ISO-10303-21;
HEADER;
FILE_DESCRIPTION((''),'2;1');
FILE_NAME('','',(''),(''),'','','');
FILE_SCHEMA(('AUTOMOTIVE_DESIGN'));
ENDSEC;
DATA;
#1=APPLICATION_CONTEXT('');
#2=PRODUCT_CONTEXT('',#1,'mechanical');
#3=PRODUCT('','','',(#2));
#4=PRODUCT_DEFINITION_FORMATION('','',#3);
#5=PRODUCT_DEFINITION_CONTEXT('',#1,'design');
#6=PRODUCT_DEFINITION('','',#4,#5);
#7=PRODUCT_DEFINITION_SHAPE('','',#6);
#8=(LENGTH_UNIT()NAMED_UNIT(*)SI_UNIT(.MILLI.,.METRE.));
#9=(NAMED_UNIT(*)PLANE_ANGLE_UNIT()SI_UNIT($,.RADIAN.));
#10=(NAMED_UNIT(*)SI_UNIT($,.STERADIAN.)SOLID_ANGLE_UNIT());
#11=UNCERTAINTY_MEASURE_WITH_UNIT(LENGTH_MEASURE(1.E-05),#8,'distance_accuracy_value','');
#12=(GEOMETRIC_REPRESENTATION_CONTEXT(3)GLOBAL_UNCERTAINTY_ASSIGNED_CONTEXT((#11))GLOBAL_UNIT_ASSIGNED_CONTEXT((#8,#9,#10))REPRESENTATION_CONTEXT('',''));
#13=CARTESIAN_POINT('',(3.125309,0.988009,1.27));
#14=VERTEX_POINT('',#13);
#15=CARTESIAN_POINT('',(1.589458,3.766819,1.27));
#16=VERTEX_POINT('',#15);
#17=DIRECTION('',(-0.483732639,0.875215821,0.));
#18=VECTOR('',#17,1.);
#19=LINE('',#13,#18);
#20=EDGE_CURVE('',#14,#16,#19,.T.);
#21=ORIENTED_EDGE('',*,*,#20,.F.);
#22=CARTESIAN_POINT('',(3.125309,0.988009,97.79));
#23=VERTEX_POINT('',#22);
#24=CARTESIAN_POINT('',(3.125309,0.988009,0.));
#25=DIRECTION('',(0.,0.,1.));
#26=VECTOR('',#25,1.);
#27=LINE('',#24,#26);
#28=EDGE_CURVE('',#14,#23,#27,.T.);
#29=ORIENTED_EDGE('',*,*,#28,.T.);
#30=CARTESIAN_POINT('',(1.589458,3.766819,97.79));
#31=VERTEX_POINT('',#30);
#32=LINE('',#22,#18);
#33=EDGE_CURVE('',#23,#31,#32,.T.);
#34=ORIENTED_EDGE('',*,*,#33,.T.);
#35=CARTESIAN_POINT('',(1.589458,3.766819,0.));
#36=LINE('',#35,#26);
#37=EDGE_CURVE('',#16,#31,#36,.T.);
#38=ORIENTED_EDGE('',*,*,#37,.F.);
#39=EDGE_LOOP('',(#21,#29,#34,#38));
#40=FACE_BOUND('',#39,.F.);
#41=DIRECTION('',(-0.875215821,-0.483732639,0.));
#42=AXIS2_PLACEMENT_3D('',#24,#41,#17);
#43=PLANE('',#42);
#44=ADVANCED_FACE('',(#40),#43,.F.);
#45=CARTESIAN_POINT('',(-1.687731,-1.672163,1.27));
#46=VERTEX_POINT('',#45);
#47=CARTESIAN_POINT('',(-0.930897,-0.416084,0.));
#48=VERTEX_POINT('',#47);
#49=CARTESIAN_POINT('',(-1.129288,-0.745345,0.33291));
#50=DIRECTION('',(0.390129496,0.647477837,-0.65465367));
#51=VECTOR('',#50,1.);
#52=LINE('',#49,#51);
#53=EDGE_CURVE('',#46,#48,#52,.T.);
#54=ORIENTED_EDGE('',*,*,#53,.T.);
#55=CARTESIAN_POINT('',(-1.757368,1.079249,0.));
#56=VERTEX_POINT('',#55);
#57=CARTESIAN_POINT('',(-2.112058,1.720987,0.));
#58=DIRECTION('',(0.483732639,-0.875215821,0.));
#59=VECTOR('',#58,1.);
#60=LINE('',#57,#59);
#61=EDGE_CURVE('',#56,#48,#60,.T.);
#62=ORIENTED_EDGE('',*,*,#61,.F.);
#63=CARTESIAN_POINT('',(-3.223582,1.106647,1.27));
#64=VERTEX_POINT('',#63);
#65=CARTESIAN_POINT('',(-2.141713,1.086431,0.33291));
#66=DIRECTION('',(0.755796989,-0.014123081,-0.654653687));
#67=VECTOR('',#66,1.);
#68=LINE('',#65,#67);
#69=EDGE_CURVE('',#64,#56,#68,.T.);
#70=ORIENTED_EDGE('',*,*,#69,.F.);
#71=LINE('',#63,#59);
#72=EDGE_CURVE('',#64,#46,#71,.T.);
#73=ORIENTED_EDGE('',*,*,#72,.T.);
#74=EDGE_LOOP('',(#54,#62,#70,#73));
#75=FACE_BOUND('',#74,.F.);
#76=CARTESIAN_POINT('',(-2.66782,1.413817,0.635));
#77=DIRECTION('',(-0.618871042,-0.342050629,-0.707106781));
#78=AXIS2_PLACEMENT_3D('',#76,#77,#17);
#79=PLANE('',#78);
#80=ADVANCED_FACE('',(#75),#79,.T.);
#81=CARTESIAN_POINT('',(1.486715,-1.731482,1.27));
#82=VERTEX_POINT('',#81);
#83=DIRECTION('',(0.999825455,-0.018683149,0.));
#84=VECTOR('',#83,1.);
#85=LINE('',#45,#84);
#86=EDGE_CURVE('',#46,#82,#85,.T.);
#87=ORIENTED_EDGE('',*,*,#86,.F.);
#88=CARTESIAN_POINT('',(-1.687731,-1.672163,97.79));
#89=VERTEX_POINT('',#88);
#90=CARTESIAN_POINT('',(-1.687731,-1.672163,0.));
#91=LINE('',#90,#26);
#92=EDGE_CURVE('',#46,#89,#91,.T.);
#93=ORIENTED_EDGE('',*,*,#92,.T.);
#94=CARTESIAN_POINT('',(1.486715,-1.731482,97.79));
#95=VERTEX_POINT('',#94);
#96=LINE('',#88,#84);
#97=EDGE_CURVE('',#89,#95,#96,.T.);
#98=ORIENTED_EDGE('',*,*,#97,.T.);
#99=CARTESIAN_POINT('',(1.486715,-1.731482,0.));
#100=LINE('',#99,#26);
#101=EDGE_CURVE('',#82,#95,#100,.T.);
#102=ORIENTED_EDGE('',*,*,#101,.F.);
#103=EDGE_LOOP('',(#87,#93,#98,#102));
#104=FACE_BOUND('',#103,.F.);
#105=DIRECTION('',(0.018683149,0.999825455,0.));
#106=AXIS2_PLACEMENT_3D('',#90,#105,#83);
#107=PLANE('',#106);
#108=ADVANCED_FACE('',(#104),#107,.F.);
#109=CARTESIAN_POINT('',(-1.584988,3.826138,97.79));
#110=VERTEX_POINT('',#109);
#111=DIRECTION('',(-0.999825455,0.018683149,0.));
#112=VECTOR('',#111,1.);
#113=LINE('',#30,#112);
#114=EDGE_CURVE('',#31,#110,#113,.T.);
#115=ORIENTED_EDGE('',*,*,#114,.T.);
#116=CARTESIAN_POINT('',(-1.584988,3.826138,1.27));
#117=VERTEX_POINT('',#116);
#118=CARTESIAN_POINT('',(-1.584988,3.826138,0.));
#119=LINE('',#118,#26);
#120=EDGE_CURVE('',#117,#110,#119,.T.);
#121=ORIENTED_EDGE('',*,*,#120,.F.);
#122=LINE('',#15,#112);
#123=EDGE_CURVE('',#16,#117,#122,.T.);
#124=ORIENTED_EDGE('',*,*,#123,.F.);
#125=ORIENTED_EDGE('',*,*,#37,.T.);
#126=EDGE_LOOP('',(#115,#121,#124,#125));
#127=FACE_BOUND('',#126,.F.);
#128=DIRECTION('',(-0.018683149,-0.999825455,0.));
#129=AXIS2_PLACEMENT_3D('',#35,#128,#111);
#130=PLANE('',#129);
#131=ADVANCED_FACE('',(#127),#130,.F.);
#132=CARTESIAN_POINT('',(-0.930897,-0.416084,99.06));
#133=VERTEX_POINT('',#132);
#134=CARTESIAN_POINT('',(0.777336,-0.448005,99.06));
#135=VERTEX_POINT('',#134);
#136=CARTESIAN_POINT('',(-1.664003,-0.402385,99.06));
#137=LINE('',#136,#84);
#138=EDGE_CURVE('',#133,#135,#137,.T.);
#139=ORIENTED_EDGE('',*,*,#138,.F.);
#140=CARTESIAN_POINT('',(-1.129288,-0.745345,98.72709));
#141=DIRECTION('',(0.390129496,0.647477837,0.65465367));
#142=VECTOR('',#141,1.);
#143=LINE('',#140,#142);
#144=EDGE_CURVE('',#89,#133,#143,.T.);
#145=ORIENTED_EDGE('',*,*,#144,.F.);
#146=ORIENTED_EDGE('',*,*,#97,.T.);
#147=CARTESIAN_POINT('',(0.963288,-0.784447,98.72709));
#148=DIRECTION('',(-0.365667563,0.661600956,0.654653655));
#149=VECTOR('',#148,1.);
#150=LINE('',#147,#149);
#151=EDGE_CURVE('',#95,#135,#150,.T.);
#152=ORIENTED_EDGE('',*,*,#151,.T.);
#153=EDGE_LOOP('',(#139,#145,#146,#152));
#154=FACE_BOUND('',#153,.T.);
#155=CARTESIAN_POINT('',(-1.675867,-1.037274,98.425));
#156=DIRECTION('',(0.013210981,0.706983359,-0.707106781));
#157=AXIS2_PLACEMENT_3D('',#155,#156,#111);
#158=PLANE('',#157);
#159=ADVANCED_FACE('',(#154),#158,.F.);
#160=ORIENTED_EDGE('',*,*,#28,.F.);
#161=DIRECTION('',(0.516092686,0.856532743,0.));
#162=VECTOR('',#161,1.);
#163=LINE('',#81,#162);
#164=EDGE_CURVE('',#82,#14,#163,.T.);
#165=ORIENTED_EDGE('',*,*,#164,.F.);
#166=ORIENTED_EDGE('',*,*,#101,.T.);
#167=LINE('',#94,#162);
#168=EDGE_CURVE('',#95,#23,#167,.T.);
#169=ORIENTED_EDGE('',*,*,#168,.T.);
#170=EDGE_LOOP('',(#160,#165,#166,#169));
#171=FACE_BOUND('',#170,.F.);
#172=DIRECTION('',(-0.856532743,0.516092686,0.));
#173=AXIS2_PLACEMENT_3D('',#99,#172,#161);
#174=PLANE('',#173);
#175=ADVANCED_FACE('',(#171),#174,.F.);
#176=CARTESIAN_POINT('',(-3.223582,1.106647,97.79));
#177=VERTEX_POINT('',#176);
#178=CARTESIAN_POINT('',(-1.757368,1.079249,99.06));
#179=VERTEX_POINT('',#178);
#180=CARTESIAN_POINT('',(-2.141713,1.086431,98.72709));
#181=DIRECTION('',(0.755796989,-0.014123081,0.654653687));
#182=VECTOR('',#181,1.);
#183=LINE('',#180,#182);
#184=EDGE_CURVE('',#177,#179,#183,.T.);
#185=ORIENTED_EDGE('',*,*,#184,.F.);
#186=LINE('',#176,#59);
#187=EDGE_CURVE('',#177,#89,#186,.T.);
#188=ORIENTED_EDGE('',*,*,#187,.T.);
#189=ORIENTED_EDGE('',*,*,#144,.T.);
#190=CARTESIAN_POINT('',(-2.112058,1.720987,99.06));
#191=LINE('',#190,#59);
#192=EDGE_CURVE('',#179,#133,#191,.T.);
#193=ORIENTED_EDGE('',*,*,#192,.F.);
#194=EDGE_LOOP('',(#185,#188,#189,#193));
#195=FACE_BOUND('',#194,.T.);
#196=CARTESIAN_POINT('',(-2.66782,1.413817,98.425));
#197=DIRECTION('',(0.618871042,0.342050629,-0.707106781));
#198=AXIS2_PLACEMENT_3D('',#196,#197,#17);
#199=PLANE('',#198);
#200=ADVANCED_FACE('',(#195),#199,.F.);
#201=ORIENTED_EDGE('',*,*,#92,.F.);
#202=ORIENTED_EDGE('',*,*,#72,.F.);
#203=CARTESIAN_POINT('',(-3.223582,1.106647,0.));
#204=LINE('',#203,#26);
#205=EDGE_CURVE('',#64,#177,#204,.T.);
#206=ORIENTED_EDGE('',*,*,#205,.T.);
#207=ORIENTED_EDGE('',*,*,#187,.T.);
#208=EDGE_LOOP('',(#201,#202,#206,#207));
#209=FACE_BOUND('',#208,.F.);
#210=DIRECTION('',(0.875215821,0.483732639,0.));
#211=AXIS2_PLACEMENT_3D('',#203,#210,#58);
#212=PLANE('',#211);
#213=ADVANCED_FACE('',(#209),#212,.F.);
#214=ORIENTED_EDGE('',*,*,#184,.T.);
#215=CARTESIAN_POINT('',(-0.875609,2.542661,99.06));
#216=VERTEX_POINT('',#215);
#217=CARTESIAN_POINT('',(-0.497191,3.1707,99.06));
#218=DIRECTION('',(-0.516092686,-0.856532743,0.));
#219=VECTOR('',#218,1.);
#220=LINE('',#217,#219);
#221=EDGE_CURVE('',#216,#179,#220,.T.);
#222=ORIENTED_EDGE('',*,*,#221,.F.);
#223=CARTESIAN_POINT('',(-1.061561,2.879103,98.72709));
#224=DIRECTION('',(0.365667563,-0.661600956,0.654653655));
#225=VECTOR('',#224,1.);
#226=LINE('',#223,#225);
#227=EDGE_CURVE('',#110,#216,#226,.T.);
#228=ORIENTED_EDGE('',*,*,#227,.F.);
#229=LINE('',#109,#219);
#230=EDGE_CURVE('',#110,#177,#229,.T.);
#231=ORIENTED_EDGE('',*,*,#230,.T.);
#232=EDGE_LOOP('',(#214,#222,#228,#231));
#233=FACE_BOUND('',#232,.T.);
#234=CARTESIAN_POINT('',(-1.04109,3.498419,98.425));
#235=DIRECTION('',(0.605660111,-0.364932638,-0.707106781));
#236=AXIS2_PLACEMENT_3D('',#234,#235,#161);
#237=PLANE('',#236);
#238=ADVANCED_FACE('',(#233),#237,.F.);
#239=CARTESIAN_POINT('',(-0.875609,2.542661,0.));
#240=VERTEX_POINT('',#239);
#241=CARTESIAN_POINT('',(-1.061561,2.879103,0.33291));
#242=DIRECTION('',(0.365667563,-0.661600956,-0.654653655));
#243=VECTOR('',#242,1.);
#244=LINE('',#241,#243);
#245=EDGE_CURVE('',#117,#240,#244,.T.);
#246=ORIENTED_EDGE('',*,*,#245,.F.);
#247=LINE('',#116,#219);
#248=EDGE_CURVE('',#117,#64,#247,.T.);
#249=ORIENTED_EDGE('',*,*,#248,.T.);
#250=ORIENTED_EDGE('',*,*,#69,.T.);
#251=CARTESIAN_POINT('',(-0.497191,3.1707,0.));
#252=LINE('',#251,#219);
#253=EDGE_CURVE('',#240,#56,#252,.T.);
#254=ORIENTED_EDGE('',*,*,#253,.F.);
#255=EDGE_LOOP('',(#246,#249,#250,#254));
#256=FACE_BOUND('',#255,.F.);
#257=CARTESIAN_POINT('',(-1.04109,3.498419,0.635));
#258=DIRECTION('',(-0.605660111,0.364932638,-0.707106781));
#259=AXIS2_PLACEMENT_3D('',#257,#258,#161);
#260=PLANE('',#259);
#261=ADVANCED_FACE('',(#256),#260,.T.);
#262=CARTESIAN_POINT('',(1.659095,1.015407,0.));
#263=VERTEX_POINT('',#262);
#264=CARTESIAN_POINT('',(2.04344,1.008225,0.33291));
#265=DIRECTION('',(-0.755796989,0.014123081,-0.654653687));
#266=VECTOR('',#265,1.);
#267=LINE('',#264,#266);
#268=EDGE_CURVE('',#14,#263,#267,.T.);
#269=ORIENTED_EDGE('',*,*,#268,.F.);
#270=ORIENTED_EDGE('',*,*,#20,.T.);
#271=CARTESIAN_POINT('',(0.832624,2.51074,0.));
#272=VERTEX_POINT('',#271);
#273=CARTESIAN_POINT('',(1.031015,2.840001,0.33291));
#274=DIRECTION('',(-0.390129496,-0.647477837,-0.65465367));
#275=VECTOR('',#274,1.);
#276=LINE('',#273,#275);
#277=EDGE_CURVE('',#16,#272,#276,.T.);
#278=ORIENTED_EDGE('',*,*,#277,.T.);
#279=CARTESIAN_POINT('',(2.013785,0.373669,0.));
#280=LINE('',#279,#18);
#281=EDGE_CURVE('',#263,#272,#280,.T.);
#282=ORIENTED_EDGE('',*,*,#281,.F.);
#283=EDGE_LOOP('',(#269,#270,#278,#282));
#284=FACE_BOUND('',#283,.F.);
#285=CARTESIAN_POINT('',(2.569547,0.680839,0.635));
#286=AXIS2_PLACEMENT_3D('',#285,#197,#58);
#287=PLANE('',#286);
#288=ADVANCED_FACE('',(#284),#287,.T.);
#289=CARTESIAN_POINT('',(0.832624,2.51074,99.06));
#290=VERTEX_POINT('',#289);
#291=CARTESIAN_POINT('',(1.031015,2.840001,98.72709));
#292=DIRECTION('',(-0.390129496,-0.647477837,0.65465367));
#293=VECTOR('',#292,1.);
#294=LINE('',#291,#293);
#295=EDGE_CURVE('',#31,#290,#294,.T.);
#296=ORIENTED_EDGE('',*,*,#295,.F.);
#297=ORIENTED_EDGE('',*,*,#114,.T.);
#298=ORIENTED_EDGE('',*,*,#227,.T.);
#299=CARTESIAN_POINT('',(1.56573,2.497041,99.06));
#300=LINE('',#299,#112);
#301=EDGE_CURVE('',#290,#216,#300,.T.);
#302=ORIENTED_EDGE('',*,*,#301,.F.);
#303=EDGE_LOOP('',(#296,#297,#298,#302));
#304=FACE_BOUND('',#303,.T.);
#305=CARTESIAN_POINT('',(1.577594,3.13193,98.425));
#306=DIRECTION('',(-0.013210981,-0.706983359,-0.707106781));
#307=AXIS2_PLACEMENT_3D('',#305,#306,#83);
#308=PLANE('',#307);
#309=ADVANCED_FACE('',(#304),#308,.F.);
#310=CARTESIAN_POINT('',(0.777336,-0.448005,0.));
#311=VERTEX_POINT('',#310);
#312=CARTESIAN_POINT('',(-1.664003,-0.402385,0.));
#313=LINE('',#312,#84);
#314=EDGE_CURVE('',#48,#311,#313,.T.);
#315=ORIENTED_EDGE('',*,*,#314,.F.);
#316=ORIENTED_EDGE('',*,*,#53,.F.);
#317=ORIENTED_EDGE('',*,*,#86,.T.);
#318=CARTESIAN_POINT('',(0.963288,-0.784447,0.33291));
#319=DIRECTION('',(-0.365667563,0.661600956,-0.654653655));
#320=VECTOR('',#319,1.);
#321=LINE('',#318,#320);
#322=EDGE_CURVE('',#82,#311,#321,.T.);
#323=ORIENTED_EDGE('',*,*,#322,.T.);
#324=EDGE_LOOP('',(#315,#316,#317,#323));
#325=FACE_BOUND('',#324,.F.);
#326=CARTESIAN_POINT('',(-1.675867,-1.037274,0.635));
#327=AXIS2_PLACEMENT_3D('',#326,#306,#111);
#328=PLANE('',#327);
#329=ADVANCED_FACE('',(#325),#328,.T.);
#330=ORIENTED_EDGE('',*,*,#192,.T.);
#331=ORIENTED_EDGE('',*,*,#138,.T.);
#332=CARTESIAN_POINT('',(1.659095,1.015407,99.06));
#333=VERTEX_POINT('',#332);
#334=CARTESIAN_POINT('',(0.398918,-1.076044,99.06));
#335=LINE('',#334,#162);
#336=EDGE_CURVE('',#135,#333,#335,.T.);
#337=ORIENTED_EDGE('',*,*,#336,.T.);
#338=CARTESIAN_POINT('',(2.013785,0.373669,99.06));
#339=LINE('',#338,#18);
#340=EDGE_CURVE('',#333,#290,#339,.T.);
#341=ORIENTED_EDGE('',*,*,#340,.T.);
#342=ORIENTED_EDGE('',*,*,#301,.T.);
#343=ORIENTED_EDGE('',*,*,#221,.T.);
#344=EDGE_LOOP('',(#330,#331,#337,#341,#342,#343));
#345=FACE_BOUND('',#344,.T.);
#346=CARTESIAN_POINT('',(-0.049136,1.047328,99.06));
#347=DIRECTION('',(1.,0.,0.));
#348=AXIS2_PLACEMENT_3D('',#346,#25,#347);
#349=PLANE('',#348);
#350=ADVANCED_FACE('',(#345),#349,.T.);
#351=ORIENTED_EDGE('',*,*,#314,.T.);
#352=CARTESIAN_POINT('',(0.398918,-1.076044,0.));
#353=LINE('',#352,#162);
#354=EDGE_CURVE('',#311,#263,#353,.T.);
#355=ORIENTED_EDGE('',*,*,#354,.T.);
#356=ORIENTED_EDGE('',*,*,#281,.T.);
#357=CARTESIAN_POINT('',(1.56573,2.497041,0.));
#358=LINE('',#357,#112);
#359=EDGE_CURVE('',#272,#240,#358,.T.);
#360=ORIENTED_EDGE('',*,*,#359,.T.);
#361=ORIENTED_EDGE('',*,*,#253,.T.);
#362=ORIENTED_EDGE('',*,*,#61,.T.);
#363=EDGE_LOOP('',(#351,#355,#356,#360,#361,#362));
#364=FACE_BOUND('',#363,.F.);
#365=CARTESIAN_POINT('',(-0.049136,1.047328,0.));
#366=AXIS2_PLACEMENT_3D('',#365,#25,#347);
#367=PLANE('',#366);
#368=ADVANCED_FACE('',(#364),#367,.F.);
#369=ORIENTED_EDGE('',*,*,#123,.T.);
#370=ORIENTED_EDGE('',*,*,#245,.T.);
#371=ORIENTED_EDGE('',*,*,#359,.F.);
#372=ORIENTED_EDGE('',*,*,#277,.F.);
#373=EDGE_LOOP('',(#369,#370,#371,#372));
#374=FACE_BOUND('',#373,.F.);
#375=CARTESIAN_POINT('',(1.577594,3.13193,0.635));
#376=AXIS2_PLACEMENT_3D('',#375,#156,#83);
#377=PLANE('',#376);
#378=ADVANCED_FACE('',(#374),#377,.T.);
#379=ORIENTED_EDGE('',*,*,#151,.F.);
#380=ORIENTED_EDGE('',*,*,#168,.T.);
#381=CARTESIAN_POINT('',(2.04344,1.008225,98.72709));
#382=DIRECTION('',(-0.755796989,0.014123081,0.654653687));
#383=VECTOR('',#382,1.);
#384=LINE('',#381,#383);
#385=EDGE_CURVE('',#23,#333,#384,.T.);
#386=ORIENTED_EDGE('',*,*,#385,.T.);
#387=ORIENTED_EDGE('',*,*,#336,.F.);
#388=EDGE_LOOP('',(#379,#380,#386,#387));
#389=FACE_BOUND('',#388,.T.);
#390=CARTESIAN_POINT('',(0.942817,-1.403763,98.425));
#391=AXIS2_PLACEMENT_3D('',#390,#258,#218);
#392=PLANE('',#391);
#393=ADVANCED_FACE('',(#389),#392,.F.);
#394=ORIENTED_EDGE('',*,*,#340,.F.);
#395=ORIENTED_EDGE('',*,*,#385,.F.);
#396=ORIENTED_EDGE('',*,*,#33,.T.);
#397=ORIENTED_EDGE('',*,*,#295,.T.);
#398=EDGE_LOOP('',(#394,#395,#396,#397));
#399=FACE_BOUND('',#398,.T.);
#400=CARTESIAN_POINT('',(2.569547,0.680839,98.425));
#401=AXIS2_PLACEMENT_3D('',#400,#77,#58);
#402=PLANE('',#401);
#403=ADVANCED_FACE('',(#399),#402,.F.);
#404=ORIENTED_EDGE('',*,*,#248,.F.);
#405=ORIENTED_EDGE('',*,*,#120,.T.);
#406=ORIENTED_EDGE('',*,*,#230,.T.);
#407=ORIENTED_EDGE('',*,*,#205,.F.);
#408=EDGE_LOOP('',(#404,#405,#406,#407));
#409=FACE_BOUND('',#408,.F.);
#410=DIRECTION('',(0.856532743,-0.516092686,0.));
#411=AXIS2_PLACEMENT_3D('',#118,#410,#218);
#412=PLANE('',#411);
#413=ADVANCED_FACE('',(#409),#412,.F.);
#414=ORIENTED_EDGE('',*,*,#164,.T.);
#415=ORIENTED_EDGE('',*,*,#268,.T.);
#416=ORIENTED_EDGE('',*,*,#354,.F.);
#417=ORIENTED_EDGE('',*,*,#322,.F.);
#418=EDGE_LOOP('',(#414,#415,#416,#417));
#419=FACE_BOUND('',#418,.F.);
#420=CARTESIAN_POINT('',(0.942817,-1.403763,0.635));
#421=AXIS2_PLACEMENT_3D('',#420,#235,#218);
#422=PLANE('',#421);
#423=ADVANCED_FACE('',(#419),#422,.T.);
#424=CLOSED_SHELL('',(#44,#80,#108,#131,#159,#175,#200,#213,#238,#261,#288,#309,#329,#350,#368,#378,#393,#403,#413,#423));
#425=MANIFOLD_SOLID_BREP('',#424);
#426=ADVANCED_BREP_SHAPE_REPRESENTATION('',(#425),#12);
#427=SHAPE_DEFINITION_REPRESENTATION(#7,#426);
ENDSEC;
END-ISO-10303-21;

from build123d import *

# Parameters (mm, degrees)
F1_DEPTH = 99.06
F2_SIZE  = 1.27


with BuildPart() as f1:
    # F0 (on Top) → F1 (new body)
    with BuildSketch(Plane.XY):
        Polygon((-3.223582, 1.106647), (-1.687731, -1.672163), (1.486715, -1.731482), (3.125309, 0.988009), (1.589458, 3.766819), (-1.584988, 3.826138), align=None)
    extrude(amount=F1_DEPTH)

    # F2
    f2_edges = [f1.edges().sort_by_distance(p)[0] for p in [
        (-2.404285, 2.466393, 0),
        (-2.455657, -0.282758, 0),
        (-0.100508, -1.701823, 0),
        (2.306012, -0.371737, 0),
        (2.357384, 2.377414, 0),
        (0.002235, 3.796479, 0),
        (-2.404285, 2.466393, 99.06),
        (-2.455657, -0.282758, 99.06),
        (-0.100508, -1.701823, 99.06),
        (2.306012, -0.371737, 99.06),
        (2.357384, 2.377414, 99.06),
        (0.002235, 3.796479, 99.06),
    ]]
    chamfer(f2_edges, length=F2_SIZE)


solid = f1.part
